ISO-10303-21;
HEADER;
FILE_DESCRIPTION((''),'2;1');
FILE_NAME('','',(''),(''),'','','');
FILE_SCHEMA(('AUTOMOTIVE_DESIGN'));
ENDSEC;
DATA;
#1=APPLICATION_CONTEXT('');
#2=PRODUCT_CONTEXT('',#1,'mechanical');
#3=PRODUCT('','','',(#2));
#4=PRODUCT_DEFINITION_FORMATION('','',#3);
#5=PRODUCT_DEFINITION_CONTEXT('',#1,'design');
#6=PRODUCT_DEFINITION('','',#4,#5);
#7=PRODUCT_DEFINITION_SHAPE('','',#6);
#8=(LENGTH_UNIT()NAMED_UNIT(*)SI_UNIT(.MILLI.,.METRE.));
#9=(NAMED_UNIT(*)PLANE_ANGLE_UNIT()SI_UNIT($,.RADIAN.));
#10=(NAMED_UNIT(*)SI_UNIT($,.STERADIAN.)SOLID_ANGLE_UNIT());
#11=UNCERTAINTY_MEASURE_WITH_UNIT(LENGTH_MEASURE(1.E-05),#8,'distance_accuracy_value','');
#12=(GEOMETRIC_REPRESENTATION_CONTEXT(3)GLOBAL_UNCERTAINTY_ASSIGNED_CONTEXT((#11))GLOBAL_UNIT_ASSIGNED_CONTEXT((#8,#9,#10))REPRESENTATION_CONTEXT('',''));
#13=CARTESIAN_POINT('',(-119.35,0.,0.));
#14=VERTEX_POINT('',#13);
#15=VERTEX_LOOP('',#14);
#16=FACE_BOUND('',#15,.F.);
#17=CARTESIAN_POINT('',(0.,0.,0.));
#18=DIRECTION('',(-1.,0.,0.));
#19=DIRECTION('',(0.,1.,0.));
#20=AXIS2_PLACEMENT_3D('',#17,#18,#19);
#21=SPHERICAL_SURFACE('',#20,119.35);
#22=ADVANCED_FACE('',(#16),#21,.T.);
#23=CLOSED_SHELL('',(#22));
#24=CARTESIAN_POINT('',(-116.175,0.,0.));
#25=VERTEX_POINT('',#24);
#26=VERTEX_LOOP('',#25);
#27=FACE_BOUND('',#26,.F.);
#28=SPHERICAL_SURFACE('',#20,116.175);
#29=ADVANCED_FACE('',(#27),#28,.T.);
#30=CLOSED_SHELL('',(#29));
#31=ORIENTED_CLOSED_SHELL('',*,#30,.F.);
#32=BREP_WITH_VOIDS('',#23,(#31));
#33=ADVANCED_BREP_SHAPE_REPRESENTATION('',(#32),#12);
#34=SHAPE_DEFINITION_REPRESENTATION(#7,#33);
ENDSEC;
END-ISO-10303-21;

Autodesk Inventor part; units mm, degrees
ref_plane "YZ Plane" through (0, 0, 0) normal (1, 0, 0) x (0, 1, 0)
ref_plane "XZ Plane" through (0, 0, 0) normal (0, 1, 0) x (-1, 0, 0)
ref_plane "XY Plane" through (0, 0, 0) normal (0, 0, 1) x (1, 0, 0)
sketch "Sketch1" plane through (0, 0, 0) normal (0, 0, 1) x (1, 0, 0)
  arc A0 (116.175, 0) -> (-116.175, 0) centre (0, 0) ccw
  arc A1 (119.35, 0) -> (-119.35, 0) centre (0, 0) ccw
  line L0 (-119.35, 0) -> (119.35, 0) construction
  line L1 (-119.35, 0) -> (-116.175, 0)
  line L2 (119.35, 0) -> (116.175, 0)
  dimension "d0" = 238.7
  dimension "d1" = 3.175
revolve "Revolution1" add sketch "Sketch1" angle 360 about axis through (-119.35, 0, 0) along (1, 0, 0)
properties part number "BasketBall" material "Rubber"
